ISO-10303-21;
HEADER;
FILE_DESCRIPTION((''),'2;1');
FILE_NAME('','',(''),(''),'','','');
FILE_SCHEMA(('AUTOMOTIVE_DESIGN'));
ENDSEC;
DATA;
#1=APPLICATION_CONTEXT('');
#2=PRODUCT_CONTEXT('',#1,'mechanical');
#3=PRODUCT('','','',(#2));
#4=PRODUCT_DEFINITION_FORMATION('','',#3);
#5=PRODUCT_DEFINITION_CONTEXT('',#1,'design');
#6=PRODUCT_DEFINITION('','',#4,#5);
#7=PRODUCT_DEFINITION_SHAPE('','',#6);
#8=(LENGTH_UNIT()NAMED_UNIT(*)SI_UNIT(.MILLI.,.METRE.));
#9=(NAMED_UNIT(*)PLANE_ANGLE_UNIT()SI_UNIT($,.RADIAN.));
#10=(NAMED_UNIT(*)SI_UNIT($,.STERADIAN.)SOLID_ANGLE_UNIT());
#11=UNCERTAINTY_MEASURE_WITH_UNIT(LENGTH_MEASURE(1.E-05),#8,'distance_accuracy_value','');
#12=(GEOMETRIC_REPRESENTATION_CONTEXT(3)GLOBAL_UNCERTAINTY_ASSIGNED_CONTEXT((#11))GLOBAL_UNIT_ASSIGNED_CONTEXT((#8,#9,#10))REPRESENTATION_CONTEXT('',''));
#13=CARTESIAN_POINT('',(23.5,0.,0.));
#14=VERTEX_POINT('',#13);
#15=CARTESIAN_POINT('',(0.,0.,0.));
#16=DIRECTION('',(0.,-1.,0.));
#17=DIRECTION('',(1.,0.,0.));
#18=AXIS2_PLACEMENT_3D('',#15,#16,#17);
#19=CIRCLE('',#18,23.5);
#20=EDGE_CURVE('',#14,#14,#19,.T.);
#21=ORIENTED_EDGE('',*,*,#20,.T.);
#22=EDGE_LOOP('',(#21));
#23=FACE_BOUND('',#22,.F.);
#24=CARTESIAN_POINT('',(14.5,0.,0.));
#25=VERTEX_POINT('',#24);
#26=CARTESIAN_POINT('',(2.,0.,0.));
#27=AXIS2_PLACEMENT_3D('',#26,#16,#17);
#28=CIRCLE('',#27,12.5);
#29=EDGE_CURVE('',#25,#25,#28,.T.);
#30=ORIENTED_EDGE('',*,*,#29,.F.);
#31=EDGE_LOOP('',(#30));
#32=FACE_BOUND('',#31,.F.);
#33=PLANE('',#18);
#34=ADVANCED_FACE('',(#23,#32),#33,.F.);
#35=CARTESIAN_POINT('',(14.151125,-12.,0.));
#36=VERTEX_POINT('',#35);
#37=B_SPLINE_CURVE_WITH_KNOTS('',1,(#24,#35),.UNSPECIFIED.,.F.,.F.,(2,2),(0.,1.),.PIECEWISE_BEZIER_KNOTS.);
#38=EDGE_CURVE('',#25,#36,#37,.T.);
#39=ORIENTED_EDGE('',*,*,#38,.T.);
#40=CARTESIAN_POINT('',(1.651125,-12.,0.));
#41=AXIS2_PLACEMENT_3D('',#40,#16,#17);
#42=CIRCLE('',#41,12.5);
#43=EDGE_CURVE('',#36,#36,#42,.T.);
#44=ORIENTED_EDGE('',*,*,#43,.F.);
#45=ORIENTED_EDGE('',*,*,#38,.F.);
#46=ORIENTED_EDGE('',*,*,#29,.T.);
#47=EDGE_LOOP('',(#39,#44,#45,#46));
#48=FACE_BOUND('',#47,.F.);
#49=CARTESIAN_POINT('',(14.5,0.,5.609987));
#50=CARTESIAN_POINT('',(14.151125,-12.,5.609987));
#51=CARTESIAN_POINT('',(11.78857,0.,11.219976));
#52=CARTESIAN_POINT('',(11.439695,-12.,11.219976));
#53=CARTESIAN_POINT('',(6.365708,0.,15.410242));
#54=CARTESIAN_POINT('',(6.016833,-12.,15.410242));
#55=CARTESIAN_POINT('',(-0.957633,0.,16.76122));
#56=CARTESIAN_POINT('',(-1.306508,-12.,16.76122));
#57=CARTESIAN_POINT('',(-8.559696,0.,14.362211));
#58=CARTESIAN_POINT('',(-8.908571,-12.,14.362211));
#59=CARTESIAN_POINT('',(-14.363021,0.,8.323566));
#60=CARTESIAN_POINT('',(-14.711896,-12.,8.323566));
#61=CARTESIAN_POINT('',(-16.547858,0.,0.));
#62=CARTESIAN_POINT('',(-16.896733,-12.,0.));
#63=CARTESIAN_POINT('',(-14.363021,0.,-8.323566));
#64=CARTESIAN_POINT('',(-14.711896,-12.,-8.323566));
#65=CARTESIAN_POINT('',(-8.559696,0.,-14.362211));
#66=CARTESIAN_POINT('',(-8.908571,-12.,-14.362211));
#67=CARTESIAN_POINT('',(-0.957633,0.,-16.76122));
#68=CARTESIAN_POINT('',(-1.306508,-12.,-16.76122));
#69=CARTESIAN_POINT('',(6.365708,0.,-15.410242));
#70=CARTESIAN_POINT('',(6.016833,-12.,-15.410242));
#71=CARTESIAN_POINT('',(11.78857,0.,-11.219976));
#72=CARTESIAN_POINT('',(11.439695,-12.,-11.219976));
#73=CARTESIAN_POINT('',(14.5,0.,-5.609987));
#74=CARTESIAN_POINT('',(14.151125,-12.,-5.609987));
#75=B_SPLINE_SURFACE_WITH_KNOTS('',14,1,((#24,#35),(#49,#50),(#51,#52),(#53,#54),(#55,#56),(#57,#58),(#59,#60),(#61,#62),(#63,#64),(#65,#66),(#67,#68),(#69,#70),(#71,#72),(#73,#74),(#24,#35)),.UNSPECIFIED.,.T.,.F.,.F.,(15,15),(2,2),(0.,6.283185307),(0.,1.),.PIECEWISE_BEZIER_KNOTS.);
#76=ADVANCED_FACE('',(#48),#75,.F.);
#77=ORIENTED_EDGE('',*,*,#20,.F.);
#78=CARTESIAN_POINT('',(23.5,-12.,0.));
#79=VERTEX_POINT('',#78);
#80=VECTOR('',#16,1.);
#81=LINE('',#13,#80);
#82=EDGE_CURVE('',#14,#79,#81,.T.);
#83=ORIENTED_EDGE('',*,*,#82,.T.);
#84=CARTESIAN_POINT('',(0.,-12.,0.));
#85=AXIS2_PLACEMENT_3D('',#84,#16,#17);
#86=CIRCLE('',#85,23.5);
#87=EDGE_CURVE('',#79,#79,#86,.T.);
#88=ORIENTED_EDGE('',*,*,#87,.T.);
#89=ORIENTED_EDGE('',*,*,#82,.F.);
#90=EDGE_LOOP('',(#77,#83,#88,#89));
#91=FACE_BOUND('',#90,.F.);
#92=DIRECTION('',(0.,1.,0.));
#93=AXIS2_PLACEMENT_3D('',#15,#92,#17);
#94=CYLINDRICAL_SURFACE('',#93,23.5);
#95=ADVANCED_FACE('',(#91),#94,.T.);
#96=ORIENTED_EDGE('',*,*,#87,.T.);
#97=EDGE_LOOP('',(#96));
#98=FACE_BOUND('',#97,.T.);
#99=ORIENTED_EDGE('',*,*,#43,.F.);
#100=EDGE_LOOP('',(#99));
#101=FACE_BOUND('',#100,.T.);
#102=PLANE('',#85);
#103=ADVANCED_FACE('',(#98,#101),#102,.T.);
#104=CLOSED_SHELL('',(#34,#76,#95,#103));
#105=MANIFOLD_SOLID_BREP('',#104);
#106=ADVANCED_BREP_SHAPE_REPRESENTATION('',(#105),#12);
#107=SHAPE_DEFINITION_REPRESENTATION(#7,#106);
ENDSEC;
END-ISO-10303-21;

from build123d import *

# Parameters (mm, degrees)
F0_R     = 23.5
F0_R_2   = 12.5
F4_DEPTH = 12
F3_R     = 12.5


with BuildPart() as f4:
    # F0 (on Front) → F4 (new body, through all)
    with BuildSketch(Plane.XZ):
        Circle(F0_R)
        with Locations((2, 0)):
            Circle(F0_R_2, mode=Mode.SUBTRACT)
        with Locations((2, 0)):
            Circle(F0_R_2)
    extrude(amount=F4_DEPTH)

    # F0 (on Front) → F5 section 0
    with BuildSketch(Plane.XZ):
        with Locations((2, 0)):
            Circle(F0_R_2)
    # F3 (on offset) → F5 section 1
    with BuildSketch(Plane.XZ.offset(12)):
        with Locations((1.651125, 0)):
            Circle(F3_R)
    loft(mode=Mode.SUBTRACT)


solid = f4.part
